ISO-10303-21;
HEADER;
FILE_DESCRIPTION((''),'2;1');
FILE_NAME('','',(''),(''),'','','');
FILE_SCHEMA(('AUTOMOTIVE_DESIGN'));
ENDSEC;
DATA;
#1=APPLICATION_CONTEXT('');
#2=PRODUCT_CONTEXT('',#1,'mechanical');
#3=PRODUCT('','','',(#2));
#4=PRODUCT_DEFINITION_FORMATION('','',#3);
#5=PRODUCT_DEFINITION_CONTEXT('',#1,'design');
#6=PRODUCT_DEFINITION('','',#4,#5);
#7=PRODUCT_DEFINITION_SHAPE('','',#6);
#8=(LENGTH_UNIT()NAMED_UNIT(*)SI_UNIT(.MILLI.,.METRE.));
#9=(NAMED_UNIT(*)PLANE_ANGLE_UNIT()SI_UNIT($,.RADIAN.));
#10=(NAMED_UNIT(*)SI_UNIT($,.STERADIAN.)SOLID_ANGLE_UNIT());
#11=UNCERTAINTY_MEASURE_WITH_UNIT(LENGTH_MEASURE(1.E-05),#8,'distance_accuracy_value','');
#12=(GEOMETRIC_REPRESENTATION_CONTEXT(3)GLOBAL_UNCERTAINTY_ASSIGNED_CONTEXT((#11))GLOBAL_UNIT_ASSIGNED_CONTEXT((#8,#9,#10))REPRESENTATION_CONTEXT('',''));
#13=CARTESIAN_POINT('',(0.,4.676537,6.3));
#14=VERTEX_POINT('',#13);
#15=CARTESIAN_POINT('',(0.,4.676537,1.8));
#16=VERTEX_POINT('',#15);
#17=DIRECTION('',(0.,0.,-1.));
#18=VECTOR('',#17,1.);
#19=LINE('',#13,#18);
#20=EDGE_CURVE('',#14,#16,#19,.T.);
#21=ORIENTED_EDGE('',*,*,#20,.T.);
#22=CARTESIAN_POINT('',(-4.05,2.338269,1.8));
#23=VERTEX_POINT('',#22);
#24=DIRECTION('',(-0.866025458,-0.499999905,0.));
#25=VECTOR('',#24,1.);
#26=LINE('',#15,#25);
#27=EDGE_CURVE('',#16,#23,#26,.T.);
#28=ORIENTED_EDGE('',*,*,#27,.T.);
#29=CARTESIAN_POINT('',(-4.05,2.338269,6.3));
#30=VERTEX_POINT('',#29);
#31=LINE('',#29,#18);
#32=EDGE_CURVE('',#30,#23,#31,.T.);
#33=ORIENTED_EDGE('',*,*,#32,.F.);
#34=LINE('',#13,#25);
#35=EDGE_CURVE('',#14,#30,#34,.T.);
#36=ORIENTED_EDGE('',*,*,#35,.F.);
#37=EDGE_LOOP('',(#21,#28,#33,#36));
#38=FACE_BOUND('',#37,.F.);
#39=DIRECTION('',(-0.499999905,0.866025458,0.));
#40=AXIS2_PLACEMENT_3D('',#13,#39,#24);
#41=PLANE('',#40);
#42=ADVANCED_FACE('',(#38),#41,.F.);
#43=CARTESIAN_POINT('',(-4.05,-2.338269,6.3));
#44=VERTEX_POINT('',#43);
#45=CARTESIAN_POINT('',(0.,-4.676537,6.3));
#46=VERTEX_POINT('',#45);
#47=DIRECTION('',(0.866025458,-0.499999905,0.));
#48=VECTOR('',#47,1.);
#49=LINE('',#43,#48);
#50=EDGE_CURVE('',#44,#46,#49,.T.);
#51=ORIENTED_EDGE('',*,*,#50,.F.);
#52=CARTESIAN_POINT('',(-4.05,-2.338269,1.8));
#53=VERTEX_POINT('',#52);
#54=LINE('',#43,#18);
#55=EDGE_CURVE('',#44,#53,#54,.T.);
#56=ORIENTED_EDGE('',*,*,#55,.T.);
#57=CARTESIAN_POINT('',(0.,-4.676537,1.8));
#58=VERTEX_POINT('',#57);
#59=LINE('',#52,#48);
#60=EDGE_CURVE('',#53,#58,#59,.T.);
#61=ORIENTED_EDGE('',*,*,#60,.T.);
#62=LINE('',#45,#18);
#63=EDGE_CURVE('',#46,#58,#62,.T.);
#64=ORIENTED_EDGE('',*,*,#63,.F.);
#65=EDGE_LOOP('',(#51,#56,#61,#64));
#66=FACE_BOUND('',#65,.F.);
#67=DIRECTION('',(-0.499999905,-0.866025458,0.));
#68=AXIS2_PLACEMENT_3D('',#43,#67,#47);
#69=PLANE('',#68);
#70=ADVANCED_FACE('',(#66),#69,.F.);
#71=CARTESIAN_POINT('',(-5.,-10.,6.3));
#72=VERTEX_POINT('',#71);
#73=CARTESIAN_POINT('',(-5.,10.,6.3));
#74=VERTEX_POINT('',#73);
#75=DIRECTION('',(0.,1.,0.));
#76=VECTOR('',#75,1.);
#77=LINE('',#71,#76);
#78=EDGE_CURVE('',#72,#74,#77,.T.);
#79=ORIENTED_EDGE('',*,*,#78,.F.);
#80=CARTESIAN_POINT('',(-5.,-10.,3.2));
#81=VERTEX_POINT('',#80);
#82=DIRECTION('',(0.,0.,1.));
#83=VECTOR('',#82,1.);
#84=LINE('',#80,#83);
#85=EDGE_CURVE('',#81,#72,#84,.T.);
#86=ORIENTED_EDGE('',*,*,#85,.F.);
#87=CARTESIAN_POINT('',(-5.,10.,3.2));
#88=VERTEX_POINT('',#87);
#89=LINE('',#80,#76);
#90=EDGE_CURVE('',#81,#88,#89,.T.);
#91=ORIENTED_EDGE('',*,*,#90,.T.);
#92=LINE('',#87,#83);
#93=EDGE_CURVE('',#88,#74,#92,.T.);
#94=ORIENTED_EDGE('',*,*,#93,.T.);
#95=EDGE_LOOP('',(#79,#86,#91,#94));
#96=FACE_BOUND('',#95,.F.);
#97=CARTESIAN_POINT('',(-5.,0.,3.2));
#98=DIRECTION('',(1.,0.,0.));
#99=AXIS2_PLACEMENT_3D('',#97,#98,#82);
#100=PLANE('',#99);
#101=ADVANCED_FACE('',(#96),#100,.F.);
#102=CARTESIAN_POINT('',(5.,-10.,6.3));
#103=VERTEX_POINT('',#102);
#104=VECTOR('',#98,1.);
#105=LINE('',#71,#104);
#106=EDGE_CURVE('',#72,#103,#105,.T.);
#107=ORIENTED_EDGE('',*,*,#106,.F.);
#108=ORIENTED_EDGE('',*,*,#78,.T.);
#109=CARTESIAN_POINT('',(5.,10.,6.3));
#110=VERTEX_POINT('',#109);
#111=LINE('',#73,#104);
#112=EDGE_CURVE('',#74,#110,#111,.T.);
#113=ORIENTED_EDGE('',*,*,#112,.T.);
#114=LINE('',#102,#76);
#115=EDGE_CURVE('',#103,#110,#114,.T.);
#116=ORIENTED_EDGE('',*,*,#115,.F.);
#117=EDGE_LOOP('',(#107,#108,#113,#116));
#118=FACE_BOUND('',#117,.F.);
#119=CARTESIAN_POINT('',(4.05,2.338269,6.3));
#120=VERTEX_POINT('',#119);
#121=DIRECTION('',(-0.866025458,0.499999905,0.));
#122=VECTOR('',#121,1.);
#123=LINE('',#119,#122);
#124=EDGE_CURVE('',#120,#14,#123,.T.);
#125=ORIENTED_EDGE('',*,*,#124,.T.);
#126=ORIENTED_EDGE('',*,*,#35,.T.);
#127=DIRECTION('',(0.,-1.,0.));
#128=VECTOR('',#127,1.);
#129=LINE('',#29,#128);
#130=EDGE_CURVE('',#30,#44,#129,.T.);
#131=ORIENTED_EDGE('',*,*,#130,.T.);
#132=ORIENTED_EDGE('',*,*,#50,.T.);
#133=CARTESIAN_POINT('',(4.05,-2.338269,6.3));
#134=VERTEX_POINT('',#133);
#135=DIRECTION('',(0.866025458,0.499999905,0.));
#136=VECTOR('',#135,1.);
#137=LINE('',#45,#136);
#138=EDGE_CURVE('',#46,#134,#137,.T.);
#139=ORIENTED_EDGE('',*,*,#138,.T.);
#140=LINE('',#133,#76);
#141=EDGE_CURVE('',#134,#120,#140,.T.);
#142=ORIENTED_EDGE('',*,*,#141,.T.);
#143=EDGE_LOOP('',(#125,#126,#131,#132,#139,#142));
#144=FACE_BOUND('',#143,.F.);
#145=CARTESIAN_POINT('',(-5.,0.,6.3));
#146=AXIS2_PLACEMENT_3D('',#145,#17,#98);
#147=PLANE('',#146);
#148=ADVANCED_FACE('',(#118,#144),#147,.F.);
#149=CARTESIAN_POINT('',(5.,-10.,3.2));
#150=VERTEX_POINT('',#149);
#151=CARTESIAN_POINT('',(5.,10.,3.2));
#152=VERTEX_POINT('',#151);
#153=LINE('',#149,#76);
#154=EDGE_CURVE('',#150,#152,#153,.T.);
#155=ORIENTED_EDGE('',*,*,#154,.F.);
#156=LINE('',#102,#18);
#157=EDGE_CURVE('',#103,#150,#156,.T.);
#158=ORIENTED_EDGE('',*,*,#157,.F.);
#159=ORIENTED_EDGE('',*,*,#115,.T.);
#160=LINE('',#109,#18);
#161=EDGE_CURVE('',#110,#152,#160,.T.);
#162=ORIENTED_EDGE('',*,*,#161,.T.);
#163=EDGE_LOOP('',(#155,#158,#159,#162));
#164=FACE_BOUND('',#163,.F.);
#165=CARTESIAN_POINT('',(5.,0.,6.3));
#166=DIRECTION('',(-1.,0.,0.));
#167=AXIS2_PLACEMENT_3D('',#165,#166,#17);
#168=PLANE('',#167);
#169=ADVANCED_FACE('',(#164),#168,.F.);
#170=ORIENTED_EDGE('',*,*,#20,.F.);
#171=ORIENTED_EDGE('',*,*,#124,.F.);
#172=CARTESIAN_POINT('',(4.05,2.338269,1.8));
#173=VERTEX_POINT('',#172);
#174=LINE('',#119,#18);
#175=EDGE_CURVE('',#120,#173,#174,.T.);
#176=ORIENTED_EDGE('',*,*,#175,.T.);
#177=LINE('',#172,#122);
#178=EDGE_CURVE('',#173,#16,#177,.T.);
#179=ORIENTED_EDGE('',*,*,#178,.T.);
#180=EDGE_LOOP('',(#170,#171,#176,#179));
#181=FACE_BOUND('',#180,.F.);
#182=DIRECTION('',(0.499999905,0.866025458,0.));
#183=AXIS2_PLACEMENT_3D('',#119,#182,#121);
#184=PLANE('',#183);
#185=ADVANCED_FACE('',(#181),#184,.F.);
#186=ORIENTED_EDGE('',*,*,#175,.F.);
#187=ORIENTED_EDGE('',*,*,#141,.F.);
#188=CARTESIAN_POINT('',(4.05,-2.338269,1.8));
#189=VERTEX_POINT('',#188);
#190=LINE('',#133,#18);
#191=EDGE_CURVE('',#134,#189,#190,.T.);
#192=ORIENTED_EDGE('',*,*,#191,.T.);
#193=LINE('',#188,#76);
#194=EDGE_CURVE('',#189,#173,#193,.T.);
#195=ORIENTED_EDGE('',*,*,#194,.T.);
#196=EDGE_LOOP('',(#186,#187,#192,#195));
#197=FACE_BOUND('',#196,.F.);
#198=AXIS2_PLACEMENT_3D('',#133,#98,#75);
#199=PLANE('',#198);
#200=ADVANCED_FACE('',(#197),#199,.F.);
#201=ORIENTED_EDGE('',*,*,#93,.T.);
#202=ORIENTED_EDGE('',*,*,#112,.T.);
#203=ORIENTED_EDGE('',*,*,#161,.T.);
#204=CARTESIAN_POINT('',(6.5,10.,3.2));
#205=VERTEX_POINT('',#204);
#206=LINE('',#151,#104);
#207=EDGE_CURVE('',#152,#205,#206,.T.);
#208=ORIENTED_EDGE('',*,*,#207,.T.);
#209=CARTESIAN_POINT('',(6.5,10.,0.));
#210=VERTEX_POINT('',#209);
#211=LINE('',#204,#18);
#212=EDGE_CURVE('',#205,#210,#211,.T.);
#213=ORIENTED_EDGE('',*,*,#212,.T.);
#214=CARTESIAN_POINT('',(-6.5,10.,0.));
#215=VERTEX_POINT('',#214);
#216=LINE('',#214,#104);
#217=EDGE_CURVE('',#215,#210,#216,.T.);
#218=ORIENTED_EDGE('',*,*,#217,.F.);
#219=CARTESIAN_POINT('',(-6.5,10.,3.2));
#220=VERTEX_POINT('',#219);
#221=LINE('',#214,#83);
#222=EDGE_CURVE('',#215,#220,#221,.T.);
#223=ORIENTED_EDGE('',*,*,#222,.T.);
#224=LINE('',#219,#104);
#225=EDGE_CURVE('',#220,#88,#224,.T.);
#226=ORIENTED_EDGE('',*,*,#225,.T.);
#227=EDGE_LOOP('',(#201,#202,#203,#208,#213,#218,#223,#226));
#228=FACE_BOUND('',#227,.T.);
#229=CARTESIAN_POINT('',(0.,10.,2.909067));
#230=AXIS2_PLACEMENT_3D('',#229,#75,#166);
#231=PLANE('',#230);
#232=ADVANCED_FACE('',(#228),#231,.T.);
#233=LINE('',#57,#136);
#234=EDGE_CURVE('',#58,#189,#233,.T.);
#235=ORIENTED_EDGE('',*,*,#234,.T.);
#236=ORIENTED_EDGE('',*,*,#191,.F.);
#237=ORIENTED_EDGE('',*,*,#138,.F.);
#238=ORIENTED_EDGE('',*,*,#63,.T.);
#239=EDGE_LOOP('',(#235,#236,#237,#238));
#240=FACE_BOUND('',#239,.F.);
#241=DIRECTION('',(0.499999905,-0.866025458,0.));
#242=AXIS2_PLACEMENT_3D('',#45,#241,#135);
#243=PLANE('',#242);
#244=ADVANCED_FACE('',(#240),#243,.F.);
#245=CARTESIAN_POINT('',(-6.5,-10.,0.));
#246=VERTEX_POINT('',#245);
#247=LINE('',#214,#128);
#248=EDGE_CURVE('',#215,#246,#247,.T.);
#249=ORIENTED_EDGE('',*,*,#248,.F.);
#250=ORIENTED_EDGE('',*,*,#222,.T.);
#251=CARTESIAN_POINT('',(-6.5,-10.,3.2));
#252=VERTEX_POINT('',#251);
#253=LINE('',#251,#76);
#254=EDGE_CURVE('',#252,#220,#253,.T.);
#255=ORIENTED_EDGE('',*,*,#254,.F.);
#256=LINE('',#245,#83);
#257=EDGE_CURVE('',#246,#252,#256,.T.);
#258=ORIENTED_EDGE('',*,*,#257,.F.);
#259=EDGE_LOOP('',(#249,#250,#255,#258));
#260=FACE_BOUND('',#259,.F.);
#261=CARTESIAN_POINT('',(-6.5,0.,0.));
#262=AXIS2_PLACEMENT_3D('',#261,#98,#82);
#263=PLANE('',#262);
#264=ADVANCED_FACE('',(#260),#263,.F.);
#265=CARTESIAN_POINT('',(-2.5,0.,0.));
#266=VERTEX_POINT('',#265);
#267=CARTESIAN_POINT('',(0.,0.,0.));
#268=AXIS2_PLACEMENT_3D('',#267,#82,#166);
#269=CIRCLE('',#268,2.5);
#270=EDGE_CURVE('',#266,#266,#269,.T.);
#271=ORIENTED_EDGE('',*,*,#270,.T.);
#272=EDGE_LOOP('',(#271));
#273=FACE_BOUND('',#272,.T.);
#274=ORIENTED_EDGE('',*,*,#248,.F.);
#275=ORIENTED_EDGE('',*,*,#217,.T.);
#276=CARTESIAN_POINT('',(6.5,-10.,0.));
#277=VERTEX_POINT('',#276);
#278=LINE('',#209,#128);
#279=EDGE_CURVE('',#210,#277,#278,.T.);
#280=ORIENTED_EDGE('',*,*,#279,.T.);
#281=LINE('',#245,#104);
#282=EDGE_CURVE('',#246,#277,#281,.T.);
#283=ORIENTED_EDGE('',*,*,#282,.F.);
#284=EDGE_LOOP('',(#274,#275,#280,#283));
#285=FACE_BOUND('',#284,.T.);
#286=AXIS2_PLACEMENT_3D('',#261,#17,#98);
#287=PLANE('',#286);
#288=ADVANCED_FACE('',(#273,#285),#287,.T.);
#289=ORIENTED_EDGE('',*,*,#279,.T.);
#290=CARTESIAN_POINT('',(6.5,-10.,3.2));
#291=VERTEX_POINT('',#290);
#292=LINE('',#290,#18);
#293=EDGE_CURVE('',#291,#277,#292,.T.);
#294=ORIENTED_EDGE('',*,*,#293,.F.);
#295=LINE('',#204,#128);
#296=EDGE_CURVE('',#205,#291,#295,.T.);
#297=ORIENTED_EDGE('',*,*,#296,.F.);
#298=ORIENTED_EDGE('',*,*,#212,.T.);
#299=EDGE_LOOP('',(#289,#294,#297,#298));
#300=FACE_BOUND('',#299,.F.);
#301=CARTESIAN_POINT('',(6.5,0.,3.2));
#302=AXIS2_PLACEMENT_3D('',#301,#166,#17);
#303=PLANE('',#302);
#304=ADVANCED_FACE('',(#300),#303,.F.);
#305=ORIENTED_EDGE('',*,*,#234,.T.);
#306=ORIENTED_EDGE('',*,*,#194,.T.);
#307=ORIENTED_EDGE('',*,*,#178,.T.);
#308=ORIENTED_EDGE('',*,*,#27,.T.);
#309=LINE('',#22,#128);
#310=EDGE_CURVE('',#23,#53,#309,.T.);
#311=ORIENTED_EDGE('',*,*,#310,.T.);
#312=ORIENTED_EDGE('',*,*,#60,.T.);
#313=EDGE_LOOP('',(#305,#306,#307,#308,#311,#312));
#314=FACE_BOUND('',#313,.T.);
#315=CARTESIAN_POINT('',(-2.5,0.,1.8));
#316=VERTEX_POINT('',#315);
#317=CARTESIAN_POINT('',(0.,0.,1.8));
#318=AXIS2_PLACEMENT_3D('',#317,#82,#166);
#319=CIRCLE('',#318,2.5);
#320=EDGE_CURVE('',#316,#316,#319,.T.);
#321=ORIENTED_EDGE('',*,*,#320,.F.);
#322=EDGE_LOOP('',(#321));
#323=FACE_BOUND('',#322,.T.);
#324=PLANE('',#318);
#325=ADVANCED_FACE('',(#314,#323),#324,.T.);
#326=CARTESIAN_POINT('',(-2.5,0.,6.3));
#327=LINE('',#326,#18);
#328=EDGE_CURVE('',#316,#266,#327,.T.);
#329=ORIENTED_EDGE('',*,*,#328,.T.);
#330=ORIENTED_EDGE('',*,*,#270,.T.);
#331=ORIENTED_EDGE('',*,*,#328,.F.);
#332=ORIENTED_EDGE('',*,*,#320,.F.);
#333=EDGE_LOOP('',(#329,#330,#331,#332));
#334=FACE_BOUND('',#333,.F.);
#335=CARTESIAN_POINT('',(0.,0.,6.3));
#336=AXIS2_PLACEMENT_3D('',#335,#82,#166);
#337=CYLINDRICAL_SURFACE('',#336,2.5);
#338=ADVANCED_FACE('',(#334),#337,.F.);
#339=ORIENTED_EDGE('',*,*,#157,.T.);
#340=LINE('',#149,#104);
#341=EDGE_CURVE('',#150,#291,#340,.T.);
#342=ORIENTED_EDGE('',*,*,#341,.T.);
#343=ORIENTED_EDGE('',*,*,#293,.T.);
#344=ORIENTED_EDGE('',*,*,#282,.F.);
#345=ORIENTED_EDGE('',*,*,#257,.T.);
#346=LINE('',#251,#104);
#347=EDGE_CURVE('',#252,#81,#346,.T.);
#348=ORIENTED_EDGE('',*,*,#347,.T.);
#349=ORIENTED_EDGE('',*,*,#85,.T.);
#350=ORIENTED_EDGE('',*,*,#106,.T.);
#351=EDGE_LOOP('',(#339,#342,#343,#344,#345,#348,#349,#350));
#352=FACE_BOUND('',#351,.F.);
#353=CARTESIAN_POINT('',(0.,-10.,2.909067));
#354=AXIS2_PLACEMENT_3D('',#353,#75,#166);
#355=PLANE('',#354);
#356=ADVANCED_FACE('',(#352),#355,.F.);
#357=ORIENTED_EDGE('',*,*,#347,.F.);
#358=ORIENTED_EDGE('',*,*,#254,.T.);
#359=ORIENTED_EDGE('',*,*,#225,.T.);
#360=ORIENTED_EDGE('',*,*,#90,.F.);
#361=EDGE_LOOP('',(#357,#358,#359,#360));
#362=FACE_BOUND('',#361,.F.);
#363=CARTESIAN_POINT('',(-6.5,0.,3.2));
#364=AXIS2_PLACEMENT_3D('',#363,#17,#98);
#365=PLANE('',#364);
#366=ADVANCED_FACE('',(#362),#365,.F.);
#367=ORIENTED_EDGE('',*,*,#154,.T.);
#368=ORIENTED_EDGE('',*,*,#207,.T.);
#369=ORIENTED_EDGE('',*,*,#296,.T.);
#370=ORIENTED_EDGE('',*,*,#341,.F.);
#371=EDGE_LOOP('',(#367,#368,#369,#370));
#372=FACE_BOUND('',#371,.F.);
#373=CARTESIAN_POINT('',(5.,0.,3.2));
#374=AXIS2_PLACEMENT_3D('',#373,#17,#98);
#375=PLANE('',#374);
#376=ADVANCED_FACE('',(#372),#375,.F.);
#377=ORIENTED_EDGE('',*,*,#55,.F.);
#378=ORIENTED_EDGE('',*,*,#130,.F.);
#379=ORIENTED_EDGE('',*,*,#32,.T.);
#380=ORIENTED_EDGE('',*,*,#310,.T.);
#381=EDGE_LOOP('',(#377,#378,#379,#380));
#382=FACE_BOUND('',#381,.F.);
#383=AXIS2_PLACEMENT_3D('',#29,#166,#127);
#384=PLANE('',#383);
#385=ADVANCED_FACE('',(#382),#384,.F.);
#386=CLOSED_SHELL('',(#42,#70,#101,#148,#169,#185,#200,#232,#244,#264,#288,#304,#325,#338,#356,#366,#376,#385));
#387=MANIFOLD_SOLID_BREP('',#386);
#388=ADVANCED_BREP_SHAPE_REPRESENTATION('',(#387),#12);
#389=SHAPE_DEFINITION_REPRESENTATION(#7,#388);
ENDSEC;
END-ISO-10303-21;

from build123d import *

# Parameters (mm, degrees)
PAD_DEPTH       = 10
SKETCH001_R     = 2.5
POCKET_DEPTH    = 6.301
POCKET001_DEPTH = 4.5


with BuildPart() as part:
    # Sketch → Pad (new body, symmetric)
    with BuildSketch(Plane.XZ):
        Polygon((-6.5, 0), (-6.5, 3.2), (-5, 3.2), (-5, 6.3), (5, 6.3), (5, 3.2), (6.5, 3.2), (6.5, 0), (0, 0), align=None)
    extrude(amount=PAD_DEPTH, both=True)

    # Sketch001 (on Face4 of Pad) → Pocket (cut, through all)
    with BuildSketch(Plane(origin=(0, 0, 6.3), x_dir=(-1, 0, 0), z_dir=(0, 0, 1))):
        Circle(SKETCH001_R)
    extrude(amount=-POCKET_DEPTH, mode=Mode.SUBTRACT)

    # Sketch002 (on Face9 of Pocket) → Pocket001 (cut)
    with BuildSketch(Plane(origin=(0, 0, 6.3), x_dir=(-1, 0, 0), z_dir=(0, 0, 1))):
        Polygon((-4.05, 2.338269), (-4.05, -2.338269), (0, -4.676537), (4.05, -2.338269), (4.05, 2.338269), (0, 4.676537), align=None)
    extrude(amount=-POCKET001_DEPTH, mode=Mode.SUBTRACT)


solid = part.part
